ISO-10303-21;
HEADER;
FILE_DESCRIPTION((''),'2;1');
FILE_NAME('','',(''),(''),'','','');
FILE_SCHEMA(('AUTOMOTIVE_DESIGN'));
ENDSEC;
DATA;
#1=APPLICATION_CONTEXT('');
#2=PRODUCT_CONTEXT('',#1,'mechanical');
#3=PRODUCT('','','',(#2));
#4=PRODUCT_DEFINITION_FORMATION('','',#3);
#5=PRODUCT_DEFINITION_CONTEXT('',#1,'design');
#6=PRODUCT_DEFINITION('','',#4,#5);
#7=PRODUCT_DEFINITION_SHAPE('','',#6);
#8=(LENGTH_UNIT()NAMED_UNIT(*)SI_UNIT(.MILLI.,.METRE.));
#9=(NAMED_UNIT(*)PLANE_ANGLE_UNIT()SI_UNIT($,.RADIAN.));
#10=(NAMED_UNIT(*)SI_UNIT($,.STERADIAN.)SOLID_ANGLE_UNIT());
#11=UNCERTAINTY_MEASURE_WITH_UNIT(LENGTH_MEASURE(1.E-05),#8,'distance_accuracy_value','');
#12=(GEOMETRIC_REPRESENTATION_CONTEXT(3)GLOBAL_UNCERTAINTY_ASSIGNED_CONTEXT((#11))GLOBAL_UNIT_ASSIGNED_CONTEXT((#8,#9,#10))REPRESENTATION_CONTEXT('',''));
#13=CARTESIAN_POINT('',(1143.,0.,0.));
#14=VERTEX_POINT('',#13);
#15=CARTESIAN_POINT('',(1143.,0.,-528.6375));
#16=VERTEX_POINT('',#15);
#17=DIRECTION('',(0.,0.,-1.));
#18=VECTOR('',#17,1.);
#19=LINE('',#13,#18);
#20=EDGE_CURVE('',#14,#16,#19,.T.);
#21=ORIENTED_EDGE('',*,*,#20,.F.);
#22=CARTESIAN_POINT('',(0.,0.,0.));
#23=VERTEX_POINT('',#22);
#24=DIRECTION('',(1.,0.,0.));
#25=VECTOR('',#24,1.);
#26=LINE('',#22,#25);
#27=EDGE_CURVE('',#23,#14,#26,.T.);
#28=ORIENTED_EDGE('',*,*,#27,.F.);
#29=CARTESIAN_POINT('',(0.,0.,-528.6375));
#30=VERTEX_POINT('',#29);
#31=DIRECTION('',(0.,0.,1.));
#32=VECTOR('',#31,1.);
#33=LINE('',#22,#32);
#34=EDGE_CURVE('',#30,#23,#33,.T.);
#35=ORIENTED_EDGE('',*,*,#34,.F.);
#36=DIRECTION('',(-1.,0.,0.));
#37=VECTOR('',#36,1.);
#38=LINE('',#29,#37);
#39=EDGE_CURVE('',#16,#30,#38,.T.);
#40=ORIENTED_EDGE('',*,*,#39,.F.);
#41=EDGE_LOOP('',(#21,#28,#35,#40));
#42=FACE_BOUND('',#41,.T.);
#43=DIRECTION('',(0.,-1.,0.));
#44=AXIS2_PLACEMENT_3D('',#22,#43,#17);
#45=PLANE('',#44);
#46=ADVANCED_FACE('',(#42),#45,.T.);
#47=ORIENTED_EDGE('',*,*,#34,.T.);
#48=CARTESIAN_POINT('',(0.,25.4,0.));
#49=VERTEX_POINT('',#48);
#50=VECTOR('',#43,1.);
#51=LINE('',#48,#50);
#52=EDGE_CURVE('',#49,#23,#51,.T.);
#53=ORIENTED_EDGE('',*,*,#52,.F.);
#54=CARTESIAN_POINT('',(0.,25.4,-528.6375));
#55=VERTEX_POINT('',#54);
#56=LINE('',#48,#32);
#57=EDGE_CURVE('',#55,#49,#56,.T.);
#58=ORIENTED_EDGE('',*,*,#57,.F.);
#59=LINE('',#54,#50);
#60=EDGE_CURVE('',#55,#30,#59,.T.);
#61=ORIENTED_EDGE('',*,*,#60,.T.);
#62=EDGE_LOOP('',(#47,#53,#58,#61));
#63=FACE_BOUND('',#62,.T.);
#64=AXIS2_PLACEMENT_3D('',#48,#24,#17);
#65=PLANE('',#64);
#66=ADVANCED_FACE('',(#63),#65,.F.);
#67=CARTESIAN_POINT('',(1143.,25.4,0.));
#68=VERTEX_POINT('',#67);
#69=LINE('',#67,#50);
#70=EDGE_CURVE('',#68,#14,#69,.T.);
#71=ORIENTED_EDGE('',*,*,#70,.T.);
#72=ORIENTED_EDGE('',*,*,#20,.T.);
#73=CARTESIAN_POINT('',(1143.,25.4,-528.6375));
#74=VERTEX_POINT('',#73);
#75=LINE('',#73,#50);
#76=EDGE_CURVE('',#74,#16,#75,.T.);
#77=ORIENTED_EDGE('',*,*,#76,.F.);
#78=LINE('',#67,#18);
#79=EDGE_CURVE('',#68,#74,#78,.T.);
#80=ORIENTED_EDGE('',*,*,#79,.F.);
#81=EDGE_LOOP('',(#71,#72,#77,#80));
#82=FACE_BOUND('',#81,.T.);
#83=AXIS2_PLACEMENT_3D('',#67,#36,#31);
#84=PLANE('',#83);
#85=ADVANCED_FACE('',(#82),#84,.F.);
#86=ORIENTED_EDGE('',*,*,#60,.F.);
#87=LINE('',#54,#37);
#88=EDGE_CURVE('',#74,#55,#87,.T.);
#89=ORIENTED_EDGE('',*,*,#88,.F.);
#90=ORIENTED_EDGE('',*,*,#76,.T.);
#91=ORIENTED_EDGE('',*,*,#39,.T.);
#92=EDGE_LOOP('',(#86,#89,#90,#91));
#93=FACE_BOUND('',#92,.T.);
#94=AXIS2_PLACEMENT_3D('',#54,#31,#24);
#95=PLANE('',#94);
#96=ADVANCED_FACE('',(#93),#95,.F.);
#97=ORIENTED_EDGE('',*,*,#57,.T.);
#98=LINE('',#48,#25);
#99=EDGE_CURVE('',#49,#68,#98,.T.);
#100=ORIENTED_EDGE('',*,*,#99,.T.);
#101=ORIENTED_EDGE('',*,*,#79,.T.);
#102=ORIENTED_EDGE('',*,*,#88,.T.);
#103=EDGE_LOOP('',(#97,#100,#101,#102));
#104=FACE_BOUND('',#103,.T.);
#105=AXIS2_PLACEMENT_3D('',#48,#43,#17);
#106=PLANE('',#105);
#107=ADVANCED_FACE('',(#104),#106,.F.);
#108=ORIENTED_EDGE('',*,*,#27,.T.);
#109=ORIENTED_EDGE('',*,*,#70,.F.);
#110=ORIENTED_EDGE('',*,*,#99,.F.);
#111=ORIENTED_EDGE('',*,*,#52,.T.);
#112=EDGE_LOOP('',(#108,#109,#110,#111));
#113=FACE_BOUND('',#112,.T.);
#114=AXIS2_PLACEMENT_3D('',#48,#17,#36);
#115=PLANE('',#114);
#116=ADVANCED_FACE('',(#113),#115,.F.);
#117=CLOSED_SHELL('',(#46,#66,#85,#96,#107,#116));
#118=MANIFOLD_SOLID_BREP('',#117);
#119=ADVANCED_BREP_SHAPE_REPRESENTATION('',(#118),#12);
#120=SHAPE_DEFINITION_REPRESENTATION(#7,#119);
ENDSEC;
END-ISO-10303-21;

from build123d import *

# Parameters (mm, degrees)
SKETCH2_W           = 1143
SKETCH2_H           = 528.6375
BOSS_EXTRUDE1_DEPTH = 25.4


with BuildPart() as part:
    # Sketch2 → Boss-Extrude1 (new body)
    with BuildSketch(Plane(origin=(0, 0, 0), x_dir=(1, 0, 0), z_dir=(0, 1, 0))):
        with Locations((571.5, 264.31875)):
            Rectangle(SKETCH2_W, SKETCH2_H)
    extrude(amount=BOSS_EXTRUDE1_DEPTH)


solid = part.part
